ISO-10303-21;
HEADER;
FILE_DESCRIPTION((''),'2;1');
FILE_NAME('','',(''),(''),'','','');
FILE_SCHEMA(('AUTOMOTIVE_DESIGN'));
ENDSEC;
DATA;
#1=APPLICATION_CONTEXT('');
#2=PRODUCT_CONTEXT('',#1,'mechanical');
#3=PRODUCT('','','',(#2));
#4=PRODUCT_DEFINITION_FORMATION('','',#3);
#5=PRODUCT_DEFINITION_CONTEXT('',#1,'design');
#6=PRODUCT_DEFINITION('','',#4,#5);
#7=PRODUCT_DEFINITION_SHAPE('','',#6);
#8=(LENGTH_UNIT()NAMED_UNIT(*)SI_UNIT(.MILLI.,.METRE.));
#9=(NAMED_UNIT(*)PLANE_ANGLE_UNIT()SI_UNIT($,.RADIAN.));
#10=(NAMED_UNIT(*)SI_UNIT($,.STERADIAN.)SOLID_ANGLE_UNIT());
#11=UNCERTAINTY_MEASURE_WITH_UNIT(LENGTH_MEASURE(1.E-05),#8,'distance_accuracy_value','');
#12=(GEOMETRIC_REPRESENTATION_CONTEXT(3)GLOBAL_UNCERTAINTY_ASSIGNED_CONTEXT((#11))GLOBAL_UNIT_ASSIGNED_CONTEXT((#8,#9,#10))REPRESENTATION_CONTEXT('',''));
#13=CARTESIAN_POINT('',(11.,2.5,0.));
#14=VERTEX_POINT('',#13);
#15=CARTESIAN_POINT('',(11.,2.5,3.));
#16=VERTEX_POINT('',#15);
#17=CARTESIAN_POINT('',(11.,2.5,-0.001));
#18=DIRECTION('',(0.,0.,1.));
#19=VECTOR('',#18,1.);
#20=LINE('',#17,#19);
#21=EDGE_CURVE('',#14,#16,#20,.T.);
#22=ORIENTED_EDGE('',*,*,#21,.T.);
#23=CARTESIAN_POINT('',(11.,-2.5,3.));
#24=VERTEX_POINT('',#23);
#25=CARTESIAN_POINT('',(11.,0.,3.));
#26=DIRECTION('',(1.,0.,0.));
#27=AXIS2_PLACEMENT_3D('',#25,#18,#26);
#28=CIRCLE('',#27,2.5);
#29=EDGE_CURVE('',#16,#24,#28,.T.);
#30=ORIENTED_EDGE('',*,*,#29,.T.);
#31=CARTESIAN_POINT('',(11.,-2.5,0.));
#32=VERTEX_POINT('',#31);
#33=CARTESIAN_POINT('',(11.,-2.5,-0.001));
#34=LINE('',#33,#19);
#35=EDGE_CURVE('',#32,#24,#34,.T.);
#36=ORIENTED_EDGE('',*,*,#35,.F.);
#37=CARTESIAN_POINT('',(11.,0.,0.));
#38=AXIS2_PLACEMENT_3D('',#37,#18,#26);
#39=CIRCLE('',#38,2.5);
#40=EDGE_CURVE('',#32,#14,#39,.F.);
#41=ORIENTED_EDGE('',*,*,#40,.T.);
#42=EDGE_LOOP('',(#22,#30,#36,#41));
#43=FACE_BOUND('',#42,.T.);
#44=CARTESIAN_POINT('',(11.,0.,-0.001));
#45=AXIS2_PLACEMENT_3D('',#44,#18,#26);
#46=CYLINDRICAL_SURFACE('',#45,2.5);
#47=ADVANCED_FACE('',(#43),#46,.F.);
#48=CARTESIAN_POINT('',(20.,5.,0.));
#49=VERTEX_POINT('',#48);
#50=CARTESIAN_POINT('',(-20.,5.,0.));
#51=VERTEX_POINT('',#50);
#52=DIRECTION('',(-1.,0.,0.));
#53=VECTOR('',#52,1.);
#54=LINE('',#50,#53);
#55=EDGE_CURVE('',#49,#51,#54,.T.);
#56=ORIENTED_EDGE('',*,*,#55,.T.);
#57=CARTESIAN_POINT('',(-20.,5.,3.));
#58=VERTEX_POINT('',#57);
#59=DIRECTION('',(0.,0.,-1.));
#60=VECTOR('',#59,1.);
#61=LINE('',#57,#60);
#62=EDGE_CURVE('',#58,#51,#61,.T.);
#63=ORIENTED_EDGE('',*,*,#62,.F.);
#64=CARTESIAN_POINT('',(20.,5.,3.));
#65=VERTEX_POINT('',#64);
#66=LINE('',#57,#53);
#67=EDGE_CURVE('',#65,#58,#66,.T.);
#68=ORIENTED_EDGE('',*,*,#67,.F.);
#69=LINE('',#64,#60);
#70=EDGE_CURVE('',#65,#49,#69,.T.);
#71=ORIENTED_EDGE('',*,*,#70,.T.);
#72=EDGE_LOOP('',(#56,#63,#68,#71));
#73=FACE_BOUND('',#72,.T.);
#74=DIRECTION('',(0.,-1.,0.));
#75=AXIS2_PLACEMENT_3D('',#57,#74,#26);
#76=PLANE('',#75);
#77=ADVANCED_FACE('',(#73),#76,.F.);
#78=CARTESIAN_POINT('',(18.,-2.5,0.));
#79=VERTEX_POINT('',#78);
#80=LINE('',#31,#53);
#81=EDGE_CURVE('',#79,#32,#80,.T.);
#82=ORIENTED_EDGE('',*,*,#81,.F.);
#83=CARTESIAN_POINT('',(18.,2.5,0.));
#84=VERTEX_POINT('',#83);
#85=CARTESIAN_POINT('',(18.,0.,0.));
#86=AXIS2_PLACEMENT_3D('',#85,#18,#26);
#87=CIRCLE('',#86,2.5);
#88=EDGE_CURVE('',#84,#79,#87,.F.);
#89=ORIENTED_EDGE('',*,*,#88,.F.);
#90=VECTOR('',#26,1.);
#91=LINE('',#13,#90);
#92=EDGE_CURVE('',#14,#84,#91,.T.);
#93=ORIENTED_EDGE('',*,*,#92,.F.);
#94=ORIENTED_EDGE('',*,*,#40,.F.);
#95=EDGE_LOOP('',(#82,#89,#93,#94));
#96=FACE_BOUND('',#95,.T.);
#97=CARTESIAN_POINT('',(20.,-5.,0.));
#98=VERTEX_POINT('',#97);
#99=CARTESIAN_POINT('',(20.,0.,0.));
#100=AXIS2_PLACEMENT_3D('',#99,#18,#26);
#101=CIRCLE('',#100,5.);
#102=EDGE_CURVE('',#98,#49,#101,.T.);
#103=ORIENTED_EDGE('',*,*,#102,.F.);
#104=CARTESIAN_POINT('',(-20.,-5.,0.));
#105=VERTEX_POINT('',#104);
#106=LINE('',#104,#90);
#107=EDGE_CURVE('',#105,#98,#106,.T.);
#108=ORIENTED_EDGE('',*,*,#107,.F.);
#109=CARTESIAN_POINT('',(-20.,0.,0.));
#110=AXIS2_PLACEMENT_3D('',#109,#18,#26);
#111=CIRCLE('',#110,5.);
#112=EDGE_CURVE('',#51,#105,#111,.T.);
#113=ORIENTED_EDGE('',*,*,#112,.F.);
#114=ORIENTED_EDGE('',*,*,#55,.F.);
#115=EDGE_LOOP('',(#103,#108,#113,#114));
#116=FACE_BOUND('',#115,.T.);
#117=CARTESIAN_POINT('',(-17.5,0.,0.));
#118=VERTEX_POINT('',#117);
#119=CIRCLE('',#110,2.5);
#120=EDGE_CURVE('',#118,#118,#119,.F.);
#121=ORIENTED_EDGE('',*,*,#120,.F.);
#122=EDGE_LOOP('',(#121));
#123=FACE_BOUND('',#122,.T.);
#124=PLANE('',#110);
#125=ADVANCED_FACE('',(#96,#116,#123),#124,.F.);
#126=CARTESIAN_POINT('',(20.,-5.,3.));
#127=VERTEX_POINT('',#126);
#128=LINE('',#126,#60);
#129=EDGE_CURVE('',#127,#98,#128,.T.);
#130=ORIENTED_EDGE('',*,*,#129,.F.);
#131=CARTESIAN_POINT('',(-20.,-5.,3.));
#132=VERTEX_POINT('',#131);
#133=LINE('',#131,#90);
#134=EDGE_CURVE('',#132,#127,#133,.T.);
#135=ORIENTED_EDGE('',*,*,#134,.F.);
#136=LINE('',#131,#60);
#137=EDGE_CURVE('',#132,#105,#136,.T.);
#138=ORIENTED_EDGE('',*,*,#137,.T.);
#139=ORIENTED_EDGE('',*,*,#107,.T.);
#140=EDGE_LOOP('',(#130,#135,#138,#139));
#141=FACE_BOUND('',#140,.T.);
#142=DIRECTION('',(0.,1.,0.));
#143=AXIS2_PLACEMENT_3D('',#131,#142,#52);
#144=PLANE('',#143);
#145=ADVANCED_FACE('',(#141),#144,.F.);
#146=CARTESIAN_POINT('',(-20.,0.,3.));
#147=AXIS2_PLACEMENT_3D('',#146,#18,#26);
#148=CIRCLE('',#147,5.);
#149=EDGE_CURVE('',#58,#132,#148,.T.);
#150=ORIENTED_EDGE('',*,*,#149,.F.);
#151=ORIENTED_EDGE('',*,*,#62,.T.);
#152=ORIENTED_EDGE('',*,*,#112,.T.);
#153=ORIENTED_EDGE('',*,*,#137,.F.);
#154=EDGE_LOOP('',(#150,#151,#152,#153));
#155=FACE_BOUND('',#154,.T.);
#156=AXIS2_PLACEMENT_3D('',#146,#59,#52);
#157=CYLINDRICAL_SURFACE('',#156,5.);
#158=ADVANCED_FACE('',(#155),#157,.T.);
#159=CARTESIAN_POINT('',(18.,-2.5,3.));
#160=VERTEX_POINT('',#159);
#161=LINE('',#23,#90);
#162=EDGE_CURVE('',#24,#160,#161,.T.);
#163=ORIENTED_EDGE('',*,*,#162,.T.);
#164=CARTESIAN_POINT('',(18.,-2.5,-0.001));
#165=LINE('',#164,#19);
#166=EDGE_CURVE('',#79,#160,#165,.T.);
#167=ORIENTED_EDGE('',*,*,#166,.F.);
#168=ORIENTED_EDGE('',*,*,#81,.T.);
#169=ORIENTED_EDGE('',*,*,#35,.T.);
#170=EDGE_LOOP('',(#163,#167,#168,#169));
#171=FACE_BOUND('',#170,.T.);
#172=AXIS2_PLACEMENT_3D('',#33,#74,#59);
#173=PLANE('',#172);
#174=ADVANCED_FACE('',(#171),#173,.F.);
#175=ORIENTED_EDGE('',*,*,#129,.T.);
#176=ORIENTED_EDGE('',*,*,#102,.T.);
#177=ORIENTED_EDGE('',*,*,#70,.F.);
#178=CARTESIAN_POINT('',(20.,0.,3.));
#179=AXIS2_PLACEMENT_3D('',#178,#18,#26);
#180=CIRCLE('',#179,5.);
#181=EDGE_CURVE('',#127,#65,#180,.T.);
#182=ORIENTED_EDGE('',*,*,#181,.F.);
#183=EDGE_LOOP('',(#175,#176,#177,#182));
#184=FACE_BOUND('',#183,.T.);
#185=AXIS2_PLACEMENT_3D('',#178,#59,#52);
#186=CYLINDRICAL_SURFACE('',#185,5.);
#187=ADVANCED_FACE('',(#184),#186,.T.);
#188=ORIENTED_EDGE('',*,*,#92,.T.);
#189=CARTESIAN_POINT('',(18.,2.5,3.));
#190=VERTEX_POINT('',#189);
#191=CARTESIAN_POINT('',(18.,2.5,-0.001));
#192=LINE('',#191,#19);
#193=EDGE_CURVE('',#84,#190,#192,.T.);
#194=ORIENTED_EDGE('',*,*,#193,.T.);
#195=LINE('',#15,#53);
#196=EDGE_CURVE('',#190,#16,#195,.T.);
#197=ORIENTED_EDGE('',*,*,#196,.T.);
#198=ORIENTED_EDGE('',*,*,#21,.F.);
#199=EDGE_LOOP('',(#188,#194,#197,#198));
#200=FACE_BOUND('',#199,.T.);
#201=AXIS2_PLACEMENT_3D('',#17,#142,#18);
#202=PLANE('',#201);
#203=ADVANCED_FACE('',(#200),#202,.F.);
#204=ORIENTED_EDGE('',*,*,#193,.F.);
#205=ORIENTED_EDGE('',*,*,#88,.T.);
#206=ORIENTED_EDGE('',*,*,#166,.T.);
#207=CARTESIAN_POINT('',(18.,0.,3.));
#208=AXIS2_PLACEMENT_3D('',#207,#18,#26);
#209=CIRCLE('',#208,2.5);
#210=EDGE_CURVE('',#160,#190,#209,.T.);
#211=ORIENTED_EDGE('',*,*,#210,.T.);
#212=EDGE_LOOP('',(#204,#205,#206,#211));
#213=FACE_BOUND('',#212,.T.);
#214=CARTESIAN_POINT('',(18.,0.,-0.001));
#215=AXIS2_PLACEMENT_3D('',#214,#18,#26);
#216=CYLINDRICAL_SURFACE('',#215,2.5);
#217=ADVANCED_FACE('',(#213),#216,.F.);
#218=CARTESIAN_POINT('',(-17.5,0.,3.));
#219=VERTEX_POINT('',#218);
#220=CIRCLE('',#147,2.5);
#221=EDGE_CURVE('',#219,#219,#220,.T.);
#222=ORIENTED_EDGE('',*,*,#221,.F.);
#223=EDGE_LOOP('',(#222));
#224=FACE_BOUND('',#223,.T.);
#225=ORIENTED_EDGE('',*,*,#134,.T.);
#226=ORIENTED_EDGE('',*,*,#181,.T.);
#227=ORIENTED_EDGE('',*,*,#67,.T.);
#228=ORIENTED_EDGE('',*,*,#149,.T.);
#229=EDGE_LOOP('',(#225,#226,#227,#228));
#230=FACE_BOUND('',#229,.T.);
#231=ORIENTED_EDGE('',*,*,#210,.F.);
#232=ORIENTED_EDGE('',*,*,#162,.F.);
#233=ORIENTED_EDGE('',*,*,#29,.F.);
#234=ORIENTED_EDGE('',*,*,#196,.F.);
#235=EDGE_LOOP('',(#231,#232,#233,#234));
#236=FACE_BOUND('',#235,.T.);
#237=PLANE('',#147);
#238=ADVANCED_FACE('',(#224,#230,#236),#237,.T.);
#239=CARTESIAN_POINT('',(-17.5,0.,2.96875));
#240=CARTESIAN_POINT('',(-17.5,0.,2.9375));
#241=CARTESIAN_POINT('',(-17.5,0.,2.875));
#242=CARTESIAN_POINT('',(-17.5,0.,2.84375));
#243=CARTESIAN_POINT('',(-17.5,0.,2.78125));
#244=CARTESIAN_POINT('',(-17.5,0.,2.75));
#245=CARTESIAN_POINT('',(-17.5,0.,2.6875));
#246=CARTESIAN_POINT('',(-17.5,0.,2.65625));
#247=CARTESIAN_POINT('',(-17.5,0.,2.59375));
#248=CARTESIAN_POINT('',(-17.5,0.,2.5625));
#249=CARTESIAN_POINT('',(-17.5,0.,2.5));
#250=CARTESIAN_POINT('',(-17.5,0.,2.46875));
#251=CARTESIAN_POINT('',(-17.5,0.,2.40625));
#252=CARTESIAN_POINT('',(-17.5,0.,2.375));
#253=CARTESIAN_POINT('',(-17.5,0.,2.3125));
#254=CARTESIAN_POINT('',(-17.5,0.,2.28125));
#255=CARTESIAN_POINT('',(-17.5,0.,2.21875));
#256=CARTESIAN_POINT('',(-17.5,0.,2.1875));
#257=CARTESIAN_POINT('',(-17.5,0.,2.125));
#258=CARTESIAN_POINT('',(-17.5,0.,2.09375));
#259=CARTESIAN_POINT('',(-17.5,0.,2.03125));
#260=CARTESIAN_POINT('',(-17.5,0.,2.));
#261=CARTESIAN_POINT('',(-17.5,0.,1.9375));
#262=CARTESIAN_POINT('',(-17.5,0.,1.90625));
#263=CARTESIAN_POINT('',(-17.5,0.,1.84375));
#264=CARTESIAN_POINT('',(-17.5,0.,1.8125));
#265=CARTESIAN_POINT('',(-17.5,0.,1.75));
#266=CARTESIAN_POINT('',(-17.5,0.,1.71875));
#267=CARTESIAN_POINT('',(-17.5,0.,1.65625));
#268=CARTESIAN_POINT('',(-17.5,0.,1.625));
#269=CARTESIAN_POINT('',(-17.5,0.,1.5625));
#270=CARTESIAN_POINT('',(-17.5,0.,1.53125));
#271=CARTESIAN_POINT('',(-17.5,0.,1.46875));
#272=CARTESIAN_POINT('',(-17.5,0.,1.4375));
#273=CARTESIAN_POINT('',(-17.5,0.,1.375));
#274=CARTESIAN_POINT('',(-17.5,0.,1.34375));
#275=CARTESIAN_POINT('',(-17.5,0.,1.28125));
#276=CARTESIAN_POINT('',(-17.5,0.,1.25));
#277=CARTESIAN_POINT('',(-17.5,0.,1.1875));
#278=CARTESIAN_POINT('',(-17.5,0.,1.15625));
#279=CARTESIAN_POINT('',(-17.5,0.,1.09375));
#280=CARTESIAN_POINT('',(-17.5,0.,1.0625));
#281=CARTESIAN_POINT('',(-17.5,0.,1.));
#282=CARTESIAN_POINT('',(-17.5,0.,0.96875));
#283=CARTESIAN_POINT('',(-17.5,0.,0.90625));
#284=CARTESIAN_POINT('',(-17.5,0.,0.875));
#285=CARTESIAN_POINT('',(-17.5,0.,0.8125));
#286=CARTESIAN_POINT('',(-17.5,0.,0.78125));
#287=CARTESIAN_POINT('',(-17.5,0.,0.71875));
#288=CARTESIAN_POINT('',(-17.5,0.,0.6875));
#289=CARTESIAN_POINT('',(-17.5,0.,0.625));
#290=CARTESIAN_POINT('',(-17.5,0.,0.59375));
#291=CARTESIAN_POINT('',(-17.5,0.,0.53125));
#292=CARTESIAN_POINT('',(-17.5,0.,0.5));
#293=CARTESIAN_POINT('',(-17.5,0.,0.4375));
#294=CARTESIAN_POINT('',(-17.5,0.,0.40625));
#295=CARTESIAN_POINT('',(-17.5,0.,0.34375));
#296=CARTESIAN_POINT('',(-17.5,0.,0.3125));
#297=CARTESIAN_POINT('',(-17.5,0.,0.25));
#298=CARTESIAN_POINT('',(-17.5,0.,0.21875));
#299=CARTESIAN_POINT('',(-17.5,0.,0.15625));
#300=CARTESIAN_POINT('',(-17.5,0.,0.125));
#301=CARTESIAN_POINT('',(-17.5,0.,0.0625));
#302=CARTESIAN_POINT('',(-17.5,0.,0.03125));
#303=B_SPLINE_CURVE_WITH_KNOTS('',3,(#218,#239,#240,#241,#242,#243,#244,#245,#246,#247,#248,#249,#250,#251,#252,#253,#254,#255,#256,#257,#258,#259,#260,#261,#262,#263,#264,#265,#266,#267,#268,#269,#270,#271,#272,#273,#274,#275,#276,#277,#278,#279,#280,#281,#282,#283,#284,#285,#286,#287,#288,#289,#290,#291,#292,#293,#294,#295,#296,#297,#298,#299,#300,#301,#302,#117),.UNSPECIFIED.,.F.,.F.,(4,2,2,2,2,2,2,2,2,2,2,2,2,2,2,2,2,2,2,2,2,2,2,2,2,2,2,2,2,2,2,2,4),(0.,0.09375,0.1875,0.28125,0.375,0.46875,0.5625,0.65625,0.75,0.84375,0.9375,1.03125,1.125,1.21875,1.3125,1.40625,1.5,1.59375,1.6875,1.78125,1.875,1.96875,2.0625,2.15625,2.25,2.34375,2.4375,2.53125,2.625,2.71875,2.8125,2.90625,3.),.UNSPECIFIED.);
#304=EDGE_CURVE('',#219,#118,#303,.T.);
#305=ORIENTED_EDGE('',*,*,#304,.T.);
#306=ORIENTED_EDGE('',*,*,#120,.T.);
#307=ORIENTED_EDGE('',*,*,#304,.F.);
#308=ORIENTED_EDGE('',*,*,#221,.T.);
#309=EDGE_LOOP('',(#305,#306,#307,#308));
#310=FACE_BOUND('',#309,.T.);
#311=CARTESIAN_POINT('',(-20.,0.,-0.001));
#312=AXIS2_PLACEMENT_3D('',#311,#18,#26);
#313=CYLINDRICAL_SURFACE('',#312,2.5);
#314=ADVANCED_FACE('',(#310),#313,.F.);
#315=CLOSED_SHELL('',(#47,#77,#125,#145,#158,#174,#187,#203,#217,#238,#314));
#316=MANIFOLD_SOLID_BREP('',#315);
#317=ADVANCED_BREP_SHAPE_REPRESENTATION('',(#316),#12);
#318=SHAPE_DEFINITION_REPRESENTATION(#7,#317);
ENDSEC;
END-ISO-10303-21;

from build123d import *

# Parameters (mm, degrees)
BOSS_EXTRUDE1_DEPTH = 3
CUT_EXTRUDE1_REACH  = 27.671
SKETCH4_R           = 2.5


with BuildPart() as part:
    # Sketch2 → Boss-Extrude1 (new body)
    with BuildSketch(Plane.XY):
        with BuildLine():
            Line((-20, 5), (20, 5))
            ThreePointArc((20, 5), (25, 0), (20, -5))
            Line((20, -5), (-20, -5))
            ThreePointArc((-20, -5), (-25, 0), (-20, 5))
        make_face()
    extrude(amount=BOSS_EXTRUDE1_DEPTH)

    # Sketch4 → Cut-Extrude1 (cut, up to next)
    with BuildSketch(Plane.XY.offset(3), mode=Mode.PRIVATE) as cut_extrude1_sk1:
        with Locations((-20, 0)):
            Circle(SKETCH4_R)
    cut_extrude1_tool1 = extrude(cut_extrude1_sk1.sketch, amount=-CUT_EXTRUDE1_REACH, mode=Mode.PRIVATE) & part.part
    # Sketch4 → Cut-Extrude1 (cut, up to next)
    with BuildSketch(Plane.XY.offset(3), mode=Mode.PRIVATE) as cut_extrude1_sk2:
        with BuildLine():
            Line((11, 2.5), (18, 2.5))
            ThreePointArc((18, 2.5), (20.5, 0), (18, -2.5))
            Line((18, -2.5), (11, -2.5))
            ThreePointArc((11, -2.5), (8.5, 0), (11, 2.5))
        make_face()
    cut_extrude1_tool2 = extrude(cut_extrude1_sk2.sketch, amount=-CUT_EXTRUDE1_REACH, mode=Mode.PRIVATE) & part.part
    add(cut_extrude1_tool1.solids().sort_by_distance((-20, 0, 3))[0], mode=Mode.SUBTRACT)
    add(cut_extrude1_tool2.solids().sort_by_distance((14.5, 0, 3))[0], mode=Mode.SUBTRACT)


solid = part.part
